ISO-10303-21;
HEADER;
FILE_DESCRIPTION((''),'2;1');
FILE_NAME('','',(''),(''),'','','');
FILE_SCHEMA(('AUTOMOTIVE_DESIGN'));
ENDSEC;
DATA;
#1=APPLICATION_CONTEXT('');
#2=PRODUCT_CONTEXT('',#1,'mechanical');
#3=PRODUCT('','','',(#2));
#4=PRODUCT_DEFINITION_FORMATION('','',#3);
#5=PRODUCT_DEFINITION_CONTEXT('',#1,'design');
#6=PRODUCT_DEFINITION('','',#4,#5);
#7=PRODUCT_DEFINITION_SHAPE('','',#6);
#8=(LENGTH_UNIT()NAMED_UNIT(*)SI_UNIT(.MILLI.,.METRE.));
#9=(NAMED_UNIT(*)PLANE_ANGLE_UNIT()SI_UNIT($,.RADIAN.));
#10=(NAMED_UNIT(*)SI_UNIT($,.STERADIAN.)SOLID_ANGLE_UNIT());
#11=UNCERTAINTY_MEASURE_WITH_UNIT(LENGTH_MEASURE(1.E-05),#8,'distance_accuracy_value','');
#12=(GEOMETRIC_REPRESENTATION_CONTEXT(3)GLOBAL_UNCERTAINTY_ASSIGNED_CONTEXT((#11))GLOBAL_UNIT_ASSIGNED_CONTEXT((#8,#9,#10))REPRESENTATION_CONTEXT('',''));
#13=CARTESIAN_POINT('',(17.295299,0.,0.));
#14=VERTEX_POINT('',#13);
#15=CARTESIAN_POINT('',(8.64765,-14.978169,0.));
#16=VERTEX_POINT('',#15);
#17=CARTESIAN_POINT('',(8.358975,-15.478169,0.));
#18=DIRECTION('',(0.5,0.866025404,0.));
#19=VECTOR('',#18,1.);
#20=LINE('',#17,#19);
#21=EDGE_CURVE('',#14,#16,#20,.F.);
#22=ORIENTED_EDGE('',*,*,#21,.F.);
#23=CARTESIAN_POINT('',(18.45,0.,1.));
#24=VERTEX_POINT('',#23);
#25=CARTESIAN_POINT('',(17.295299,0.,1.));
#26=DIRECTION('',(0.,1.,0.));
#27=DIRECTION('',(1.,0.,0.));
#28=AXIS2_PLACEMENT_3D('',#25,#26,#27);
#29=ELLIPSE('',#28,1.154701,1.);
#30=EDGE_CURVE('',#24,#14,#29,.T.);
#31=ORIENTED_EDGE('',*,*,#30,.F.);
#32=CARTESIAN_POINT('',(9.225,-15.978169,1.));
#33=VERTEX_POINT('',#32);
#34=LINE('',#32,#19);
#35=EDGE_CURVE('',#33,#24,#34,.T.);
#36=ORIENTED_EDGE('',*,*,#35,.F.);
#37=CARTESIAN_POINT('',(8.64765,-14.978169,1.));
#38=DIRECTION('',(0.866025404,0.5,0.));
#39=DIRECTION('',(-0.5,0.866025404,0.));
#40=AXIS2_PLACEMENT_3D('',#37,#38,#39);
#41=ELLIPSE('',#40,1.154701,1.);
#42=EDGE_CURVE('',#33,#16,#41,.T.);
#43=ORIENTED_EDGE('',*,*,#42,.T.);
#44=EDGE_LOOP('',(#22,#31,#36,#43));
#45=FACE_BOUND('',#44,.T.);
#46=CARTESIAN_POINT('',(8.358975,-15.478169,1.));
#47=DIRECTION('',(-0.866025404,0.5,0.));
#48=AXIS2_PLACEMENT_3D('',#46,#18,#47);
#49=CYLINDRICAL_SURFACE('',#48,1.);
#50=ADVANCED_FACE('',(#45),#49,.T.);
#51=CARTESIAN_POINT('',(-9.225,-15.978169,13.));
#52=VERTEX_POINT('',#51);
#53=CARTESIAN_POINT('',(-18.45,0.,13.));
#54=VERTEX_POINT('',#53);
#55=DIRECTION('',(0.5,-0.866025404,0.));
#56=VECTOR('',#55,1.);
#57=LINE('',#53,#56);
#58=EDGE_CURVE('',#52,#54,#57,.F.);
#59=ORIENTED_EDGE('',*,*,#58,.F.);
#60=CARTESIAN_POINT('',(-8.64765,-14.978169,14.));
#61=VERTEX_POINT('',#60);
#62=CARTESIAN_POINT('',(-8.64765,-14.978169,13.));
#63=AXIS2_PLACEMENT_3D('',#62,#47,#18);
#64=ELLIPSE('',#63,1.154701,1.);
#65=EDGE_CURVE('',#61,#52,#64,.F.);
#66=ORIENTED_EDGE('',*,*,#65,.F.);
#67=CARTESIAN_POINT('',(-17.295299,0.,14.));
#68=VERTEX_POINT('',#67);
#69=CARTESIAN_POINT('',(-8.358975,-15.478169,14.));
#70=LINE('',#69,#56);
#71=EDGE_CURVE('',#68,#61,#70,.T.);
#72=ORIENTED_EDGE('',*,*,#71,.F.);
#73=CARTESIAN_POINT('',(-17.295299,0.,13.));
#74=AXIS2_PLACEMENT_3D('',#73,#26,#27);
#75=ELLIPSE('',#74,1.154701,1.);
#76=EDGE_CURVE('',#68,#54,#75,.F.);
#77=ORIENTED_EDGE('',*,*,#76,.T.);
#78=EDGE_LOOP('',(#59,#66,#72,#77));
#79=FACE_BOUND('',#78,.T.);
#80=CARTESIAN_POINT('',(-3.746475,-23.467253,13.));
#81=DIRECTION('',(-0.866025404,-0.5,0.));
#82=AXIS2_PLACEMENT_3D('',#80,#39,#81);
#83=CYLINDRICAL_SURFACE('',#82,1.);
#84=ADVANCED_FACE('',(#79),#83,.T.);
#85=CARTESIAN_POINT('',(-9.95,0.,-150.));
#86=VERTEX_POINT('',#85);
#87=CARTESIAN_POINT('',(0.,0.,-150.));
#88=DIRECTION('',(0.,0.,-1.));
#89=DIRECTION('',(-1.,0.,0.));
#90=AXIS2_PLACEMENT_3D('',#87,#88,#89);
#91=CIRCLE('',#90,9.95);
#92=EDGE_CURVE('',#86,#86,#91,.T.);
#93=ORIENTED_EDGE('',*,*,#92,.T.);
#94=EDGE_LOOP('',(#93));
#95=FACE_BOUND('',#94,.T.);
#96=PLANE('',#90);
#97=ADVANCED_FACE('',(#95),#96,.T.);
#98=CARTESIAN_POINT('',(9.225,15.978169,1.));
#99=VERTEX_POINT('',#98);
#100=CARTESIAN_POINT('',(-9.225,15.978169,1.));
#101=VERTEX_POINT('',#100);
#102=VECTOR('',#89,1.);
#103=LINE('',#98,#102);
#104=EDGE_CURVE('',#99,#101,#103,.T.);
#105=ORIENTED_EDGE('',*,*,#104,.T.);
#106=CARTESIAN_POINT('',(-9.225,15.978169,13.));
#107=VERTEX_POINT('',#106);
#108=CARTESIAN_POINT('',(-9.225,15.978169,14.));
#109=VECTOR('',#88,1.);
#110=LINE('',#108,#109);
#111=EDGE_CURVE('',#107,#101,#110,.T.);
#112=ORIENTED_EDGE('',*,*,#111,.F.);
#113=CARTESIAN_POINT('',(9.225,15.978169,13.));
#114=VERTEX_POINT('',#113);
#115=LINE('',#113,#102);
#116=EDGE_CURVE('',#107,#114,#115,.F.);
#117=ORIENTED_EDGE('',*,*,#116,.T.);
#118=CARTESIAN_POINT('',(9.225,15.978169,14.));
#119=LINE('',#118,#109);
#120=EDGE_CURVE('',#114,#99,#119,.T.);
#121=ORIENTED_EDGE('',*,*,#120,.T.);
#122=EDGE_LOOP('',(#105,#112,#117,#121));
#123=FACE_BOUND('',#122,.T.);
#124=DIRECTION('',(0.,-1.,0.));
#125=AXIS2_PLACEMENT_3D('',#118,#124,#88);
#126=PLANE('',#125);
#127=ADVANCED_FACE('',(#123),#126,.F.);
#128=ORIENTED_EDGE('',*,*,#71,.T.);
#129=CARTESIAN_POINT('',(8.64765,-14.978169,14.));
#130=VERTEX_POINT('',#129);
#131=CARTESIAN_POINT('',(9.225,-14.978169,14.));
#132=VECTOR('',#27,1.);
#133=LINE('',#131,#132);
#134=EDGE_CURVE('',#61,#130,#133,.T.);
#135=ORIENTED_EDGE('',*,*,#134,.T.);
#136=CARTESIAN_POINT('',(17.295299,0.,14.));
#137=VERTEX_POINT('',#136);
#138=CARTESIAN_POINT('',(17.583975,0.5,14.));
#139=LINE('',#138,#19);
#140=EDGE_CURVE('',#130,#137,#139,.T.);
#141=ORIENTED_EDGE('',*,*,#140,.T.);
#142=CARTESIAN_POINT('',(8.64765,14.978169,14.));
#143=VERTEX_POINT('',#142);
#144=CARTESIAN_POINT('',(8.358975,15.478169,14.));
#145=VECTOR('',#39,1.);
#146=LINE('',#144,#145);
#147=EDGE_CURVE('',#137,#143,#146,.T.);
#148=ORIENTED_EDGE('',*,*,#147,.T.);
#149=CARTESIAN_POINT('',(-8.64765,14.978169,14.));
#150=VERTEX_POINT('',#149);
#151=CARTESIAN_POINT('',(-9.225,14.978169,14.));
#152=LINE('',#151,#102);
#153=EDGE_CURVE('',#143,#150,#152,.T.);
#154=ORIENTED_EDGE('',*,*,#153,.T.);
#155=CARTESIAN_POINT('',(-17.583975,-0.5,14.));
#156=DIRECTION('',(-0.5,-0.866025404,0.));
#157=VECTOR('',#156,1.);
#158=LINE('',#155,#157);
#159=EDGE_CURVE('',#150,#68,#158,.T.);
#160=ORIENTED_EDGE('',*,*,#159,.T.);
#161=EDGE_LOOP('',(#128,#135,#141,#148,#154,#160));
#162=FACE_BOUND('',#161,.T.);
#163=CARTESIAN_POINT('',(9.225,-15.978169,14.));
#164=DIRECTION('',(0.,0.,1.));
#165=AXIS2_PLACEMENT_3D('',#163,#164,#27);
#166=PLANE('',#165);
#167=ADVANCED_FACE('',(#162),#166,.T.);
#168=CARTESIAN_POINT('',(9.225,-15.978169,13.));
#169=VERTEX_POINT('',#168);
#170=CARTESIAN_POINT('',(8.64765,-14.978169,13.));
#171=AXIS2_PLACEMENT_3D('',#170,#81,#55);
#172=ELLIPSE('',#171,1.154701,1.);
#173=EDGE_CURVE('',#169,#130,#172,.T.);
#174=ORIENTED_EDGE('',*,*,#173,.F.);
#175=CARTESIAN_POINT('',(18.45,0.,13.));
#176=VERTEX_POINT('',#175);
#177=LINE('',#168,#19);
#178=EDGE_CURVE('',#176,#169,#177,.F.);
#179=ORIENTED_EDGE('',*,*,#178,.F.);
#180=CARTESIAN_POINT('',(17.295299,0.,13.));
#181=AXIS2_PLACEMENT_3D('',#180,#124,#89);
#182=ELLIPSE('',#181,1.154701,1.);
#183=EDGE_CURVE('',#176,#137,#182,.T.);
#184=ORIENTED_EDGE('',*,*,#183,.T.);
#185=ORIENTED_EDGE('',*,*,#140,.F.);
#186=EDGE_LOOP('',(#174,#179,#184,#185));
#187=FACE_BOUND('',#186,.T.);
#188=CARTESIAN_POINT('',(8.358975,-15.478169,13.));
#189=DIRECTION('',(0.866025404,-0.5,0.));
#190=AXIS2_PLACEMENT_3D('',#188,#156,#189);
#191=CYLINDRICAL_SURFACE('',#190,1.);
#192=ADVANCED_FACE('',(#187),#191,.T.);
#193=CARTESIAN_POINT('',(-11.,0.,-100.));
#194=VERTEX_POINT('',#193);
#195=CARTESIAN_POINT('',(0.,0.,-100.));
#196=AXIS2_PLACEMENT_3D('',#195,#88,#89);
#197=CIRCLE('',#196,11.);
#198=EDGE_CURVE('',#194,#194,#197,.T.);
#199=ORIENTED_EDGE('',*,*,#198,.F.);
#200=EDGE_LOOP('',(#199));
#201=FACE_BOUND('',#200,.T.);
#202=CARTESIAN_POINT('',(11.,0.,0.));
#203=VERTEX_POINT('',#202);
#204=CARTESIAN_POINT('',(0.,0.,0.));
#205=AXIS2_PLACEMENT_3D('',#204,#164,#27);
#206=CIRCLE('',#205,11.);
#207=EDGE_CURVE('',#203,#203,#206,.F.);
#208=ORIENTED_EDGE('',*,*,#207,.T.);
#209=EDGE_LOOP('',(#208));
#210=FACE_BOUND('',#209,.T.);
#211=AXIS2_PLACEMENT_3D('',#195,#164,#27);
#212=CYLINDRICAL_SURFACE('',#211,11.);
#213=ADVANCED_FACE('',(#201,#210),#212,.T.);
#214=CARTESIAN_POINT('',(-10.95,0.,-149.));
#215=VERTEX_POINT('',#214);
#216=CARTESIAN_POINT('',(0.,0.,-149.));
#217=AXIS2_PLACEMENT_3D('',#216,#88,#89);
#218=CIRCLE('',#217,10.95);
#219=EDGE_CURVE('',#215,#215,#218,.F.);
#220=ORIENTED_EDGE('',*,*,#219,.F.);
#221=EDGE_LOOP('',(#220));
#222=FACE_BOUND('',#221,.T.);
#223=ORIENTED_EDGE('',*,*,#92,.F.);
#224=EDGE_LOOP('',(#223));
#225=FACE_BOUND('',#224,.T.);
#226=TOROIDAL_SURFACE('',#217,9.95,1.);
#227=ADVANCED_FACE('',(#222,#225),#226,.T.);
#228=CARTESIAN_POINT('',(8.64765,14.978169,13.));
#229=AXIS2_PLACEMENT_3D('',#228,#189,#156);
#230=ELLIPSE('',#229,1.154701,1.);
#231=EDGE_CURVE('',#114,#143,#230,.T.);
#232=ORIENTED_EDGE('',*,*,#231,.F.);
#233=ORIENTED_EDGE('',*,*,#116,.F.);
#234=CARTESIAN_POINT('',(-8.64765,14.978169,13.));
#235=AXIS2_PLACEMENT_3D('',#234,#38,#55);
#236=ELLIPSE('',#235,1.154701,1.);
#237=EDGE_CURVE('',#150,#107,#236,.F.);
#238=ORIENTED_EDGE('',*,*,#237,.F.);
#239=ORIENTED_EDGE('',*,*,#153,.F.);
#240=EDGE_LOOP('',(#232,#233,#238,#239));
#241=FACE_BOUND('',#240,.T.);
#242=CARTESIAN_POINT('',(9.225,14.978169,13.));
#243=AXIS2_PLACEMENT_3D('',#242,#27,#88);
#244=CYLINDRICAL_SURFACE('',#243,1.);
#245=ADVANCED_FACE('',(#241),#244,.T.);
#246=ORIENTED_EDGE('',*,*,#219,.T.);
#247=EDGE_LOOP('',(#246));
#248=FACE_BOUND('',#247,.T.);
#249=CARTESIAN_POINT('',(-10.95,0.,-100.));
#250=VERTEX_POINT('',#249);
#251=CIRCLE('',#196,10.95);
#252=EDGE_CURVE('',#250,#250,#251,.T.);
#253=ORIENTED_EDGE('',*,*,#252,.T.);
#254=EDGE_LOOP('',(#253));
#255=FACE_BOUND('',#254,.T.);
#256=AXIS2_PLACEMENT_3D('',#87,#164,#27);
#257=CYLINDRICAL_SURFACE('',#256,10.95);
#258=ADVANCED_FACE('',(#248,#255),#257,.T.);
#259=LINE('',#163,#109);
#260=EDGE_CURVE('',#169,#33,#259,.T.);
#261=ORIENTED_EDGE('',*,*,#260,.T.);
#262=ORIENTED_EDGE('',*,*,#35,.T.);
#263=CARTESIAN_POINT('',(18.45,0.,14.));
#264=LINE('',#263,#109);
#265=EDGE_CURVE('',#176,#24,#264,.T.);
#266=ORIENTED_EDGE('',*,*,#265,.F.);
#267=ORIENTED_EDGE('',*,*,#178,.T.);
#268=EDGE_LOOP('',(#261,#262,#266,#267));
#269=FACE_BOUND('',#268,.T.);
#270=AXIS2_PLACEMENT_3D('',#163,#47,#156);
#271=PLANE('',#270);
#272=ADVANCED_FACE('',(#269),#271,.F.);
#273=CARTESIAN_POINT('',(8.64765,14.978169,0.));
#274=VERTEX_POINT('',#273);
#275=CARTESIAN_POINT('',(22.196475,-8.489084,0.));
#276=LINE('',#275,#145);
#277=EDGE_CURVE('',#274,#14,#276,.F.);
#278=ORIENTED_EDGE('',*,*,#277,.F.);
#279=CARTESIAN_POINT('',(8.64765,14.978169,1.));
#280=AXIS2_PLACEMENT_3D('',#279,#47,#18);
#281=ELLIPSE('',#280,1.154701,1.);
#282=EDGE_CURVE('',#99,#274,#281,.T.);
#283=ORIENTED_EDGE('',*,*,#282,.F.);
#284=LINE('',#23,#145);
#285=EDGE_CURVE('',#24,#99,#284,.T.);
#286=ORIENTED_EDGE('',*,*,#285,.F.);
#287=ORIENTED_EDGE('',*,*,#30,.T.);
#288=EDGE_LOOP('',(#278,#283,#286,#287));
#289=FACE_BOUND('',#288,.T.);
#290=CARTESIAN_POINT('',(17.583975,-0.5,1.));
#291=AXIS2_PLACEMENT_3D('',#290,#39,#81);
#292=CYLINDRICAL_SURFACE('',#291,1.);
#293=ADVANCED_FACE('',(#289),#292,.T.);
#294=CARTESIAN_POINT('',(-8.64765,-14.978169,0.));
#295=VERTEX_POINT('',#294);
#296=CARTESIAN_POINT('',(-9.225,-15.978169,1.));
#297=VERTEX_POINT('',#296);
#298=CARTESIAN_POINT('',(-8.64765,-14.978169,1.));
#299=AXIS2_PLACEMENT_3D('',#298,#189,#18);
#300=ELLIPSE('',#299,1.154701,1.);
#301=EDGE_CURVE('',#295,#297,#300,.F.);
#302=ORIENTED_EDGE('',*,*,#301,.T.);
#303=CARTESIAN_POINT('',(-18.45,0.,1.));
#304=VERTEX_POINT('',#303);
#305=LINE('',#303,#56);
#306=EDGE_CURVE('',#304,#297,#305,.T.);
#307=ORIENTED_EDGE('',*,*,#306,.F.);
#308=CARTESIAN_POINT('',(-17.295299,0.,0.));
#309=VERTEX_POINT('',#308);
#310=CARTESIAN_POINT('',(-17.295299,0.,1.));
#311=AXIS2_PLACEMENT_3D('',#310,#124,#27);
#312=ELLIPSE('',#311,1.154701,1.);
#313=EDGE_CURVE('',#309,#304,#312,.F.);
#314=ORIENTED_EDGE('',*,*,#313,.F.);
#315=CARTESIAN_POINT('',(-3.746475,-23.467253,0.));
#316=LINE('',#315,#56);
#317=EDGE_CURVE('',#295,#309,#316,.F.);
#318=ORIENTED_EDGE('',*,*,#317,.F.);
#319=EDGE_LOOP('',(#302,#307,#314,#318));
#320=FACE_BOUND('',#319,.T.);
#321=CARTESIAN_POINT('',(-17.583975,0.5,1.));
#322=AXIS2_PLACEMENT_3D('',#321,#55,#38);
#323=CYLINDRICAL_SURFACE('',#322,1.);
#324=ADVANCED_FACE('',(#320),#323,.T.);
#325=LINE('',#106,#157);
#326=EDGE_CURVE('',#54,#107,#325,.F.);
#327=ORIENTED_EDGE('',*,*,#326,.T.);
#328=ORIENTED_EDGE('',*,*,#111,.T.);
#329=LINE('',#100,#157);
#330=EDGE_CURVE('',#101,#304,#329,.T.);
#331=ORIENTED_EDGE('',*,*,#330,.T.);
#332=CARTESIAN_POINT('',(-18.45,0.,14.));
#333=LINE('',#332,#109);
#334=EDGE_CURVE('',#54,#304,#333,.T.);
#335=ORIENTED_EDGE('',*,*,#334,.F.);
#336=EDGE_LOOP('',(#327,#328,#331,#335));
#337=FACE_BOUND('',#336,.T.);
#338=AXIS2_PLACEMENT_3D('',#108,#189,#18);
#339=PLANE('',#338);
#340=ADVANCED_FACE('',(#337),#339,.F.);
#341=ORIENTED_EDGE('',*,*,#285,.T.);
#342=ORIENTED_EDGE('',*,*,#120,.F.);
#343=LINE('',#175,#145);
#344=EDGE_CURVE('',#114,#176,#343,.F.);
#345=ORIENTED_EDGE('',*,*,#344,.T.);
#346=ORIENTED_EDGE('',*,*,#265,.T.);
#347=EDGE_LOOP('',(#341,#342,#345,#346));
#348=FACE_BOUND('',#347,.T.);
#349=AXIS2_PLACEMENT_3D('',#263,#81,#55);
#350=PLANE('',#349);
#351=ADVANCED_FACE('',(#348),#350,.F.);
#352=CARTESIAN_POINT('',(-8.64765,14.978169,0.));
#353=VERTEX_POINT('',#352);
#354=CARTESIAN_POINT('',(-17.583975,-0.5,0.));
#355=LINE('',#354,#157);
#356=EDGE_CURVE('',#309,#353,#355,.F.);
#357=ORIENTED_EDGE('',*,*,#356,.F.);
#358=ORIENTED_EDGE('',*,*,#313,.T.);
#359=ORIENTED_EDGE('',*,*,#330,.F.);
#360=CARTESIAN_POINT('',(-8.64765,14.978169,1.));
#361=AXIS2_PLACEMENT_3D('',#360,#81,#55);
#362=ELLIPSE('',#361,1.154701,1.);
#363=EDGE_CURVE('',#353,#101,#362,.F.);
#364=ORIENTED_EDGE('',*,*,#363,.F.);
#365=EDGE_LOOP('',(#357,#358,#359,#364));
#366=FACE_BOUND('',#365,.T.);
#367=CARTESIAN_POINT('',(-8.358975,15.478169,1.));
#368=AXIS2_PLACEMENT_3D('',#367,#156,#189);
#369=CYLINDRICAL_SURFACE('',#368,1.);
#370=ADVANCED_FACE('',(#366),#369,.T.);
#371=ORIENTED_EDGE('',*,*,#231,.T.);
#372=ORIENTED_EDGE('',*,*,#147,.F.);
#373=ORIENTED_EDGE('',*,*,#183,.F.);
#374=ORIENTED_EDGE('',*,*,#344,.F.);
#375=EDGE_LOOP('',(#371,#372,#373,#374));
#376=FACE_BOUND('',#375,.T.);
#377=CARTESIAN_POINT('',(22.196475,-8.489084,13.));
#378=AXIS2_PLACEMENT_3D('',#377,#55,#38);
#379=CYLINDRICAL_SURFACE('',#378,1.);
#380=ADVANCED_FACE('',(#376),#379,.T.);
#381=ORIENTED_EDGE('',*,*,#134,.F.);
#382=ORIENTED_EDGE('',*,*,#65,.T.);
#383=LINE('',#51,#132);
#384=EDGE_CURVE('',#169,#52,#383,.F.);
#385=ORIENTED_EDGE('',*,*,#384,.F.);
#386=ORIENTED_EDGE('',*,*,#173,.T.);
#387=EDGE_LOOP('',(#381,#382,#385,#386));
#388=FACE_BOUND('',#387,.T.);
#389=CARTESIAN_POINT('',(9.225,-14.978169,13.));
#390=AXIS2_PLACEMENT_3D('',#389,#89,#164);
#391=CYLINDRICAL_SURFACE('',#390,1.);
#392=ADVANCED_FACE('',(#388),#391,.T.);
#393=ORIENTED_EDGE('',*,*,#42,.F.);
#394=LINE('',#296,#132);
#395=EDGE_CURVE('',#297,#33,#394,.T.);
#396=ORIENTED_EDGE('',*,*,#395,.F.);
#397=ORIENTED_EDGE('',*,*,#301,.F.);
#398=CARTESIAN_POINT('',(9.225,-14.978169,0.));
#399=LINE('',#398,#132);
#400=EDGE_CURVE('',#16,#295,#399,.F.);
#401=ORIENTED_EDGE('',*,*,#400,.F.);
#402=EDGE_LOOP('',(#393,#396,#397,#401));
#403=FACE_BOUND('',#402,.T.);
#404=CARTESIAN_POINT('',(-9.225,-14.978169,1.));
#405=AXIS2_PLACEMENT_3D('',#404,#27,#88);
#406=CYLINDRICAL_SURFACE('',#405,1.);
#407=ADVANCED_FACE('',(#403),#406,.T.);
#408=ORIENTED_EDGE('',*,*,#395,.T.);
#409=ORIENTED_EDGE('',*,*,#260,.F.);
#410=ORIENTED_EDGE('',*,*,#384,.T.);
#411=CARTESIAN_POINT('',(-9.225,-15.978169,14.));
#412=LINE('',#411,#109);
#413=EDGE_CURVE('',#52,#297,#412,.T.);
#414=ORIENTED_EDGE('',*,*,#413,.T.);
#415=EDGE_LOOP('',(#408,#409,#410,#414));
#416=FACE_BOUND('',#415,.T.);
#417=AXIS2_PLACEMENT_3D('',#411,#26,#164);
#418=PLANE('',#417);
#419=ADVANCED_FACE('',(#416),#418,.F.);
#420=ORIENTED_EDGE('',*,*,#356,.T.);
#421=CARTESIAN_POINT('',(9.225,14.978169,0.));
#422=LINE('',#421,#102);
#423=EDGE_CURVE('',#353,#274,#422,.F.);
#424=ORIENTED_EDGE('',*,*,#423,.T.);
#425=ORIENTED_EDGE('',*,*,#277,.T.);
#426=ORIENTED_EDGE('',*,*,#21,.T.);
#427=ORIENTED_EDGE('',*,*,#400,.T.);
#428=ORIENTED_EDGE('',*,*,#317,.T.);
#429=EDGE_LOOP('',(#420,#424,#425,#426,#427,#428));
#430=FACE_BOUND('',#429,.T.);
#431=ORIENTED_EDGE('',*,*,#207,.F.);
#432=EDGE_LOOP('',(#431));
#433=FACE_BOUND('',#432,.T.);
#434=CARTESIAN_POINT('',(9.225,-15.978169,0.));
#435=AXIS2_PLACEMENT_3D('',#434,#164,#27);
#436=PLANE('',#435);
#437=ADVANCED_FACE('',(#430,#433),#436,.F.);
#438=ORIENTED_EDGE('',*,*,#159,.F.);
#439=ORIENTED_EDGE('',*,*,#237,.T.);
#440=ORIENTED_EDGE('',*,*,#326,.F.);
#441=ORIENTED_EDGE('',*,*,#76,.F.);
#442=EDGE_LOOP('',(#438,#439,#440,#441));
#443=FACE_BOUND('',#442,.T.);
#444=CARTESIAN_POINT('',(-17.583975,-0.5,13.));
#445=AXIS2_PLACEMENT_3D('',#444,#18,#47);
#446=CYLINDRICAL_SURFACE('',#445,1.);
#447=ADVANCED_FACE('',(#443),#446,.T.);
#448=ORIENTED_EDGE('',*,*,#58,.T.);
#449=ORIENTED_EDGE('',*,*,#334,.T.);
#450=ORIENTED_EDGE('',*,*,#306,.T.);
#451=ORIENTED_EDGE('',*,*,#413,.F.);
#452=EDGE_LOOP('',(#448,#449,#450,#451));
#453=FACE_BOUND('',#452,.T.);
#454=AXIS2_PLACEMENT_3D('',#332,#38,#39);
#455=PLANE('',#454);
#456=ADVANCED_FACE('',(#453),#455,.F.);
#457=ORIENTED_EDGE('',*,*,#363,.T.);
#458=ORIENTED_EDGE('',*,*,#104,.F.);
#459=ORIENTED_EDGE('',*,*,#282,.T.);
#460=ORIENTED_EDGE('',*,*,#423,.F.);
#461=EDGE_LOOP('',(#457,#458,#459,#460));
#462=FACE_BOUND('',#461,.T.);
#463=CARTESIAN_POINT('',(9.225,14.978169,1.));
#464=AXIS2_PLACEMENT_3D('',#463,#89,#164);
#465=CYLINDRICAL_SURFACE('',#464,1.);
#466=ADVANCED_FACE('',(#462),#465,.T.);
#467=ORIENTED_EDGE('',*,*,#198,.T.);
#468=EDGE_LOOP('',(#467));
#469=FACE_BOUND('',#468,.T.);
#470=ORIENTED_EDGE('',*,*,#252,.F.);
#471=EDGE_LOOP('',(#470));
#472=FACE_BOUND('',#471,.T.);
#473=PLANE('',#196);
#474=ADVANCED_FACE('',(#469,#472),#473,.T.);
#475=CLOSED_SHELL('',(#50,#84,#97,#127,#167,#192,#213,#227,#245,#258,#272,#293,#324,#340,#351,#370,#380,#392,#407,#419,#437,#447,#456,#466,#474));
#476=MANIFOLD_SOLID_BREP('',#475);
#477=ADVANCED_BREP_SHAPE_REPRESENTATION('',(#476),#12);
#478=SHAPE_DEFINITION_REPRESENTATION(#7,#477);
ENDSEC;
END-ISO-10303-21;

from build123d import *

# Parameters (mm, degrees)
EXTRUDE_1_DEPTH = 14
SKETCH_3_R      = 11
EXTRUDE_2_DEPTH = 100
SKETCH_4_R      = 10.95
EXTRUDE_4_DEPTH = 50
FILLET_2_R      = 1


with BuildPart() as part:
    # 草图2 → 拉伸1 (new body)
    with BuildSketch(Plane.XY):
        Polygon((9.225, -15.9781687), (18.45, 0), (9.225, 15.9781687), (-9.225, 15.9781687), (-18.45, 0), (-9.225, -15.9781687), align=None)
    extrude(amount=EXTRUDE_1_DEPTH)

    # 草图3 → 拉伸2 (add)
    with BuildSketch(Plane(origin=(0, 0, 0), x_dir=(-1, 0, 0), z_dir=(0, 0, -1))):
        with Locations(Location((0, 0, 0), (0, 0, 180))):
            Circle(SKETCH_3_R)
    extrude(amount=EXTRUDE_2_DEPTH)

    # 草图4 → 拉伸4 (add)
    with BuildSketch(Plane(origin=(0, 0, -100), x_dir=(-1, 0, 0), z_dir=(0, 0, -1))):
        Circle(SKETCH_4_R)
    extrude(amount=EXTRUDE_4_DEPTH)

    # 圆角2
    fillet_2_edges = [part.edges().sort_by_distance(p)[0] for p in [
        (13.8375, 7.98908435, 14),
        (0, 15.9781687, 14),
        (-13.8375, 7.98908435, 14),
        (-13.8375, -7.98908435, 14),
        (10.95, 0, -150),
        (0, -15.9781687, 14),
        (-13.8375, -7.98908435, 0),
        (-13.8375, 7.98908435, 0),
        (0, 15.9781687, 0),
        (13.8375, -7.98908435, 14),
        (13.8375, 7.98908435, 0),
        (13.8375, -7.98908435, 0),
        (0, -15.9781687, 0),
    ]]
    fillet(fillet_2_edges, radius=FILLET_2_R)


solid = part.part
